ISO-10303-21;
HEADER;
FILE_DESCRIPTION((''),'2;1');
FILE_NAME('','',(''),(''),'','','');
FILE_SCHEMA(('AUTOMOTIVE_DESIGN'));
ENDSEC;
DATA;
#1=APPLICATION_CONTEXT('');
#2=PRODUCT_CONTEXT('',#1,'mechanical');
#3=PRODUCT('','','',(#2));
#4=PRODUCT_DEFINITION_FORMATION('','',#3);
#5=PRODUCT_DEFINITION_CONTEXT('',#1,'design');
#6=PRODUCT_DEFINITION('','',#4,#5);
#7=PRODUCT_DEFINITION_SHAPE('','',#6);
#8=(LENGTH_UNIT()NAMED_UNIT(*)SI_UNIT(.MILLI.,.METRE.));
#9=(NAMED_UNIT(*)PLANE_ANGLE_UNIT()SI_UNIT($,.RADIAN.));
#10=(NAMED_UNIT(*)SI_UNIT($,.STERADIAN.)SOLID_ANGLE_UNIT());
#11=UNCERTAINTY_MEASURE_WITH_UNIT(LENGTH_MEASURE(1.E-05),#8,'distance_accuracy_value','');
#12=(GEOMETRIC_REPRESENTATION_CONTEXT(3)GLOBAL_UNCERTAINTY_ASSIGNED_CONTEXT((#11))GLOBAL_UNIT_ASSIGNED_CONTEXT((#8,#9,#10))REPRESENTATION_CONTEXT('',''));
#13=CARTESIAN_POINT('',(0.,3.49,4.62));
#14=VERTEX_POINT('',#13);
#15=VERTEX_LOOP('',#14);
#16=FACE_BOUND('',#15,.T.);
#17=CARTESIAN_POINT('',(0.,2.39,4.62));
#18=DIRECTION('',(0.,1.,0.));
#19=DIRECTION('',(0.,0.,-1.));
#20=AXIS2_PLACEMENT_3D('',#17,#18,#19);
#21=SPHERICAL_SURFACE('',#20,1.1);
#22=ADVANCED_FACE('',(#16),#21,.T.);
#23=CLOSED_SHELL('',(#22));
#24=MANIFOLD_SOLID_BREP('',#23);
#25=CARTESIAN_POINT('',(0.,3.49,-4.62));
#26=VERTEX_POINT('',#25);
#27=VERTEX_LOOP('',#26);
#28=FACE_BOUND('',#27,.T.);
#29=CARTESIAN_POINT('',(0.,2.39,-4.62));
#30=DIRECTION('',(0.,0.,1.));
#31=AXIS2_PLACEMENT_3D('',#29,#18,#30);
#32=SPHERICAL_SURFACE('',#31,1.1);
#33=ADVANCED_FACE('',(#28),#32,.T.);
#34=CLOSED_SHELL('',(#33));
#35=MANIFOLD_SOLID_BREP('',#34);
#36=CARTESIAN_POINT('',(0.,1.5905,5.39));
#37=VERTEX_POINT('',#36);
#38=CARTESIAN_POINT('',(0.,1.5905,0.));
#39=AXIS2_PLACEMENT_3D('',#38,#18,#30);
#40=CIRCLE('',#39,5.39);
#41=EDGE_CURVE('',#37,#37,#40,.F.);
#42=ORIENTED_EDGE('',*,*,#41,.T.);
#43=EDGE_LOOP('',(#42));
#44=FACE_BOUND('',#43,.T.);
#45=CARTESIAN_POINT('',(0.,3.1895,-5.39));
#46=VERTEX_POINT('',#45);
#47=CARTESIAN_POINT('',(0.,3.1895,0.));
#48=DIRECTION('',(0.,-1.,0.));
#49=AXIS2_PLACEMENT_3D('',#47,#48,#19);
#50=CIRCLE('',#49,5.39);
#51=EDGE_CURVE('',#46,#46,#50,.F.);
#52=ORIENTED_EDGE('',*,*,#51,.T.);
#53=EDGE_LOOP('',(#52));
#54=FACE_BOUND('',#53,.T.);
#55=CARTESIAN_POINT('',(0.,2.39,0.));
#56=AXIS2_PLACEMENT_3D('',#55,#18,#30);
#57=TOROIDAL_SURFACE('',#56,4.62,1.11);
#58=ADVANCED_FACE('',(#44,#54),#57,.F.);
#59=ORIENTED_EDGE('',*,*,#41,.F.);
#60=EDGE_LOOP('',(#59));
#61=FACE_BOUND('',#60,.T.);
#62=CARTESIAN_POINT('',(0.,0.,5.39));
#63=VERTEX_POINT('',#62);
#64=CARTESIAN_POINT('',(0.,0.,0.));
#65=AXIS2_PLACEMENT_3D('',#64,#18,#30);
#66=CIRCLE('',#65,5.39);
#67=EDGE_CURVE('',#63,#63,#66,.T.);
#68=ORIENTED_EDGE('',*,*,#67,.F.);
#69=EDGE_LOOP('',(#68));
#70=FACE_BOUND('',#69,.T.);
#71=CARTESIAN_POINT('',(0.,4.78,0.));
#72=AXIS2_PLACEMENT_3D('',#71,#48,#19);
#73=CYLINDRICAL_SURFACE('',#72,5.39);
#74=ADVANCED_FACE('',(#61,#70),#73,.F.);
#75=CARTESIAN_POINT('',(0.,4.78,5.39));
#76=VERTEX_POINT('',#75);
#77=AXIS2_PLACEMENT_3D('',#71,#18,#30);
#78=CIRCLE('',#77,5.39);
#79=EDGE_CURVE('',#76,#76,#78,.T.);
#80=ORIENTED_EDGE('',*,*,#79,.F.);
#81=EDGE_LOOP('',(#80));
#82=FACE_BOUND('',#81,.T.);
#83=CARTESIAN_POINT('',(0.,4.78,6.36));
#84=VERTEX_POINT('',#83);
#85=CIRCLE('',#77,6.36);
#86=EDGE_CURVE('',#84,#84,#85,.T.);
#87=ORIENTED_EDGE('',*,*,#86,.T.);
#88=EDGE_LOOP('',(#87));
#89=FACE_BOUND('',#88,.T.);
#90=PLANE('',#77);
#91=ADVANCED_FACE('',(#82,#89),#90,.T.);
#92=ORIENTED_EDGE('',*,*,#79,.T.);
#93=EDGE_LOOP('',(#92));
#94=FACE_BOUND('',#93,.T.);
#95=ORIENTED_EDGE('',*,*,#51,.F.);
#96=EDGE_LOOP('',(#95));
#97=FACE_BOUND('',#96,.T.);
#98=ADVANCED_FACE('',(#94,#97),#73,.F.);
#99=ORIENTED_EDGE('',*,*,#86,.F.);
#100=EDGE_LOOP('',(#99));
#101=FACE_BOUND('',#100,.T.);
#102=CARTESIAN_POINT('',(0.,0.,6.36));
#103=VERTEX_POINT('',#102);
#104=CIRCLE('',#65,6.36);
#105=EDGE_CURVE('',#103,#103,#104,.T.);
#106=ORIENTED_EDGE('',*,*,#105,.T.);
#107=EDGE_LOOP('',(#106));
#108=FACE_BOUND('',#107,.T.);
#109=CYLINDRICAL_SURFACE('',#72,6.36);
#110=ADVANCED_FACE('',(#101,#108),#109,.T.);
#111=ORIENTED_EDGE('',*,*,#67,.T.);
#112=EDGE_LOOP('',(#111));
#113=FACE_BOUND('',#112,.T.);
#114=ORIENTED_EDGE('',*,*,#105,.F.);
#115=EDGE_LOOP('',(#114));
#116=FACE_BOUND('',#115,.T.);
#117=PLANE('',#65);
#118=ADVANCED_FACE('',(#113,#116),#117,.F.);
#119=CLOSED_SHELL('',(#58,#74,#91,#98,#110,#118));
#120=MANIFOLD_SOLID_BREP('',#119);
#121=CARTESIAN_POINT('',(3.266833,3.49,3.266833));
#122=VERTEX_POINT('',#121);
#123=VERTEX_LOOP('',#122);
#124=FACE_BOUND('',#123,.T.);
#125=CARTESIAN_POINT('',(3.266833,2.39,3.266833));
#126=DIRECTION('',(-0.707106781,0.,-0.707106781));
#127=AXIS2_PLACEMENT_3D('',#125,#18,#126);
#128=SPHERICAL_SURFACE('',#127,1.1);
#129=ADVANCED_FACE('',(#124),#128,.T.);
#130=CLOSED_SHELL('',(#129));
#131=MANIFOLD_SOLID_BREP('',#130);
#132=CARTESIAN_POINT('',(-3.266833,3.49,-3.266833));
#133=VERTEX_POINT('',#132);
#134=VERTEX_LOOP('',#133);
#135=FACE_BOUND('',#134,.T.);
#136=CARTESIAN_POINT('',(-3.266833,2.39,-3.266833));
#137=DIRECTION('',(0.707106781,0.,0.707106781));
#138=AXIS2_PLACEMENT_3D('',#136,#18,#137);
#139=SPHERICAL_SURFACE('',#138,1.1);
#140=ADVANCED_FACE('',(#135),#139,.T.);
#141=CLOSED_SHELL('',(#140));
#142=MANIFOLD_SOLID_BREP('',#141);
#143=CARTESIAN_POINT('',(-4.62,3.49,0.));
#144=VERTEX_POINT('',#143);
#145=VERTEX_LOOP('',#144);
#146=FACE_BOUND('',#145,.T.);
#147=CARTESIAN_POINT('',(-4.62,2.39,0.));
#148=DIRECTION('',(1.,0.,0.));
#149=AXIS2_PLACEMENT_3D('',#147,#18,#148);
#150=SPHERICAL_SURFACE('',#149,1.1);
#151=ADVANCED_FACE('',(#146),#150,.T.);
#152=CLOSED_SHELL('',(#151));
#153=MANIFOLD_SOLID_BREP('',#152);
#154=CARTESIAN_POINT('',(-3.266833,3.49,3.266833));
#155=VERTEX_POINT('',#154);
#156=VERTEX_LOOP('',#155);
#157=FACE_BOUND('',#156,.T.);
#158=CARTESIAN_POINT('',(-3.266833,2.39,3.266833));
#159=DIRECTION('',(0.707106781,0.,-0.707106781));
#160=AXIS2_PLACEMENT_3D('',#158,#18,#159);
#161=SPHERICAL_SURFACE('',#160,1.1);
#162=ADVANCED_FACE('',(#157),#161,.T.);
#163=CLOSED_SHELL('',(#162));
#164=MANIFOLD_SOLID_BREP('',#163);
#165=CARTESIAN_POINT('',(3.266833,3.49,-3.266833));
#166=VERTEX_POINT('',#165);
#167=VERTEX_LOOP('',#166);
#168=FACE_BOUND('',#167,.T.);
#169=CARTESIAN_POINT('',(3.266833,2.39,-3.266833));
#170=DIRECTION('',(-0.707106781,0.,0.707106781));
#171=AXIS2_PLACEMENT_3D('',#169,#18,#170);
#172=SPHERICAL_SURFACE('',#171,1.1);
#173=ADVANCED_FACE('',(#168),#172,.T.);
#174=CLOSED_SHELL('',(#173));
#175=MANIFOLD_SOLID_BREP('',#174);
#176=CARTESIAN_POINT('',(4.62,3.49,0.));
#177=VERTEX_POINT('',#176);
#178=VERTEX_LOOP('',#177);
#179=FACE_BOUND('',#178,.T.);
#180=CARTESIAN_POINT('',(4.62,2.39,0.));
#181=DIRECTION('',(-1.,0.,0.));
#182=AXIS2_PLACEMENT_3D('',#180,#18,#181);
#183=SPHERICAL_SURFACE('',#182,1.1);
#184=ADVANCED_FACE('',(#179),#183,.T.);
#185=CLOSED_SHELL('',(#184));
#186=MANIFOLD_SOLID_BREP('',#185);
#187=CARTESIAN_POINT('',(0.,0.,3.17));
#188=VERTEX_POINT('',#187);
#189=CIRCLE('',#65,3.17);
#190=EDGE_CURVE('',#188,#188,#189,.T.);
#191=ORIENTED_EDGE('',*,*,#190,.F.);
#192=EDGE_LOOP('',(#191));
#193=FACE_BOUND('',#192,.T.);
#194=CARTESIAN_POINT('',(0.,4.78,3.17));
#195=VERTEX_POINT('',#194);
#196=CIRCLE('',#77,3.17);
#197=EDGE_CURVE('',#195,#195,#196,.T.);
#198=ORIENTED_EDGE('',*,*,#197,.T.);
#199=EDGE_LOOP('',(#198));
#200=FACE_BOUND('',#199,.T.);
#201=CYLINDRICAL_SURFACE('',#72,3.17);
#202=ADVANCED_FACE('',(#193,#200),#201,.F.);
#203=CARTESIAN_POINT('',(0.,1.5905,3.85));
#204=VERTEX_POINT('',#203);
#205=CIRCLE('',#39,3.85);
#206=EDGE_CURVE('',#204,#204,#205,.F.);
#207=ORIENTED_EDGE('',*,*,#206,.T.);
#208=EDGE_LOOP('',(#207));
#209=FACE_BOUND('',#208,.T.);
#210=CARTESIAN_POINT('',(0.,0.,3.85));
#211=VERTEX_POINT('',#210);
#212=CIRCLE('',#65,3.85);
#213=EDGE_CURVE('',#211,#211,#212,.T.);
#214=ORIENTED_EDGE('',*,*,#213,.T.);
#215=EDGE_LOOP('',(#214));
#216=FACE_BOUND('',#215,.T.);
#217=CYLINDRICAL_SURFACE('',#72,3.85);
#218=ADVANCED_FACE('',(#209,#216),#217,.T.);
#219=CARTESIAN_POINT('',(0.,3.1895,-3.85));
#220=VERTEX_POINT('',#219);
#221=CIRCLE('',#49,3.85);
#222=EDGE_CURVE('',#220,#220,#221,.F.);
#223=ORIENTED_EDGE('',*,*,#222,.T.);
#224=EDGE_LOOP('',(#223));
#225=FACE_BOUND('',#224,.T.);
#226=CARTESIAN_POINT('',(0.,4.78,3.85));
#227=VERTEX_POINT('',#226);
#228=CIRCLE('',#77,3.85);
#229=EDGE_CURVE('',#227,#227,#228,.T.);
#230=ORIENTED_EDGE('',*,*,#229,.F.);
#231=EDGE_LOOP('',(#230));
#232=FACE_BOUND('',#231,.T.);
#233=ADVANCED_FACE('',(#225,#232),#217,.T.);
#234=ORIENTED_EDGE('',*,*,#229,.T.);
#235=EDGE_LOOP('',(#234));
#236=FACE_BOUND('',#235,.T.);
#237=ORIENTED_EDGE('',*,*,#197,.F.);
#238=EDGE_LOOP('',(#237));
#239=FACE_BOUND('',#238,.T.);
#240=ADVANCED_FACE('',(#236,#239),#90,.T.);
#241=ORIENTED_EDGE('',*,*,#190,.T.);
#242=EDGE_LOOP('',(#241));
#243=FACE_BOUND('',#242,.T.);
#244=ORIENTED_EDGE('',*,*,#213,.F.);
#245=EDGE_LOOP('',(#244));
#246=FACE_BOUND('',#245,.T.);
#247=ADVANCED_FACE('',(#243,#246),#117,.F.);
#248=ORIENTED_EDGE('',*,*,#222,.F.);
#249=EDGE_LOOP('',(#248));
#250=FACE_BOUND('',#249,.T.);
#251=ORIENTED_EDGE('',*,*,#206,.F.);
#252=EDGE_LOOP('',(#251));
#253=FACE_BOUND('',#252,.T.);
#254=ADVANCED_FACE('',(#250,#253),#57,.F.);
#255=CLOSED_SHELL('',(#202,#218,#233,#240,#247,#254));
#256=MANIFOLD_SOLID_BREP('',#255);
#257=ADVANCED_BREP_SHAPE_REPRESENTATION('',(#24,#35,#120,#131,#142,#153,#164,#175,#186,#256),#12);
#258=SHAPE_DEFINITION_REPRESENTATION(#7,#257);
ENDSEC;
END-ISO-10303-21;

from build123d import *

# Parameters (mm, degrees)
SKETCH_1_R               = 6.36
SKETCH_1_R_2             = 5.39
EXTRUDE_1_DEPTH          = 4.78
SKETCH_2_R               = 3.85
SKETCH_2_R_2             = 3.17
EXTRUDE_2_DEPTH          = 4.78
SKETCH_6_R               = 1.11
PATTERN_CIRCULAR_2_COUNT = 8


with BuildPart() as part:
    # 草图1 → 凸台-拉伸1 (new body)
    with BuildSketch(Plane(origin=(0, 0, 0), x_dir=(1, 0, 0), z_dir=(0, 1, 0))):
        Circle(SKETCH_1_R)
        Circle(SKETCH_1_R_2, mode=Mode.SUBTRACT)
    extrude(amount=EXTRUDE_1_DEPTH)


with BuildPart() as body_2:
    # 草图2 → 凸台-拉伸2 (new body)
    with BuildSketch(Plane(origin=(0, 0, 0), x_dir=(1, 0, 0), z_dir=(0, 1, 0))):
        Circle(SKETCH_2_R)
        Circle(SKETCH_2_R_2, mode=Mode.SUBTRACT)
    extrude(amount=EXTRUDE_2_DEPTH)


with BuildPart() as cut_revolve_5_tool:
    # 草图6 → 切除-旋转5 (revolve)
    with BuildSketch(Plane.XY):
        with Locations((-4.62, 2.39)):
            Circle(SKETCH_6_R)
    revolve(axis=Axis((0, 4.78, 0), (0, -1, 0)))


with BuildPart() as part_1:
    add(part.part)

    # 切除-旋转5: cut by cut_revolve_5_tool
    add(cut_revolve_5_tool.part, mode=Mode.SUBTRACT)


with BuildPart() as body_2_1:
    add(body_2.part)

    # 切除-旋转5: cut by cut_revolve_5_tool
    add(cut_revolve_5_tool.part, mode=Mode.SUBTRACT)


with BuildPart() as body_3:
    # 草图6<3> → 旋转1 (revolve)
    with BuildSketch(Plane.XY):
        with BuildLine():
            Line((-4.62, 1.29), (-4.62, 3.49))
            ThreePointArc((-4.62, 3.49), (-5.72, 2.39), (-4.62, 1.29))
        make_face()
    revolve(axis=Axis((-4.62, 3.49, 0), (0, -1, 0)))


with BuildPart() as pattern_circular_2_1:
    # 阵列(圆周)2: pattern copy
    add(body_3.part.rotate(Axis((0, 4.78, 0), (0, -1, 0)), 1 * 360 / PATTERN_CIRCULAR_2_COUNT))


with BuildPart() as pattern_circular_2_2:
    # 阵列(圆周)2: pattern copy
    add(body_3.part.rotate(Axis((0, 4.78, 0), (0, -1, 0)), 2 * 360 / PATTERN_CIRCULAR_2_COUNT))


with BuildPart() as pattern_circular_2_3:
    # 阵列(圆周)2: pattern copy
    add(body_3.part.rotate(Axis((0, 4.78, 0), (0, -1, 0)), 3 * 360 / PATTERN_CIRCULAR_2_COUNT))


with BuildPart() as pattern_circular_2_4:
    # 阵列(圆周)2: pattern copy
    add(body_3.part.rotate(Axis((0, 4.78, 0), (0, -1, 0)), 4 * 360 / PATTERN_CIRCULAR_2_COUNT))


with BuildPart() as pattern_circular_2_5:
    # 阵列(圆周)2: pattern copy
    add(body_3.part.rotate(Axis((0, 4.78, 0), (0, -1, 0)), 5 * 360 / PATTERN_CIRCULAR_2_COUNT))


with BuildPart() as pattern_circular_2_6:
    # 阵列(圆周)2: pattern copy
    add(body_3.part.rotate(Axis((0, 4.78, 0), (0, -1, 0)), 6 * 360 / PATTERN_CIRCULAR_2_COUNT))


with BuildPart() as pattern_circular_2_7:
    # 阵列(圆周)2: pattern copy
    add(body_3.part.rotate(Axis((0, 4.78, 0), (0, -1, 0)), 7 * 360 / PATTERN_CIRCULAR_2_COUNT))


solid = Compound([part_1.part, body_2_1.part, body_3.part, pattern_circular_2_1.part, pattern_circular_2_2.part, pattern_circular_2_3.part, pattern_circular_2_4.part, pattern_circular_2_5.part, pattern_circular_2_6.part, pattern_circular_2_7.part])
